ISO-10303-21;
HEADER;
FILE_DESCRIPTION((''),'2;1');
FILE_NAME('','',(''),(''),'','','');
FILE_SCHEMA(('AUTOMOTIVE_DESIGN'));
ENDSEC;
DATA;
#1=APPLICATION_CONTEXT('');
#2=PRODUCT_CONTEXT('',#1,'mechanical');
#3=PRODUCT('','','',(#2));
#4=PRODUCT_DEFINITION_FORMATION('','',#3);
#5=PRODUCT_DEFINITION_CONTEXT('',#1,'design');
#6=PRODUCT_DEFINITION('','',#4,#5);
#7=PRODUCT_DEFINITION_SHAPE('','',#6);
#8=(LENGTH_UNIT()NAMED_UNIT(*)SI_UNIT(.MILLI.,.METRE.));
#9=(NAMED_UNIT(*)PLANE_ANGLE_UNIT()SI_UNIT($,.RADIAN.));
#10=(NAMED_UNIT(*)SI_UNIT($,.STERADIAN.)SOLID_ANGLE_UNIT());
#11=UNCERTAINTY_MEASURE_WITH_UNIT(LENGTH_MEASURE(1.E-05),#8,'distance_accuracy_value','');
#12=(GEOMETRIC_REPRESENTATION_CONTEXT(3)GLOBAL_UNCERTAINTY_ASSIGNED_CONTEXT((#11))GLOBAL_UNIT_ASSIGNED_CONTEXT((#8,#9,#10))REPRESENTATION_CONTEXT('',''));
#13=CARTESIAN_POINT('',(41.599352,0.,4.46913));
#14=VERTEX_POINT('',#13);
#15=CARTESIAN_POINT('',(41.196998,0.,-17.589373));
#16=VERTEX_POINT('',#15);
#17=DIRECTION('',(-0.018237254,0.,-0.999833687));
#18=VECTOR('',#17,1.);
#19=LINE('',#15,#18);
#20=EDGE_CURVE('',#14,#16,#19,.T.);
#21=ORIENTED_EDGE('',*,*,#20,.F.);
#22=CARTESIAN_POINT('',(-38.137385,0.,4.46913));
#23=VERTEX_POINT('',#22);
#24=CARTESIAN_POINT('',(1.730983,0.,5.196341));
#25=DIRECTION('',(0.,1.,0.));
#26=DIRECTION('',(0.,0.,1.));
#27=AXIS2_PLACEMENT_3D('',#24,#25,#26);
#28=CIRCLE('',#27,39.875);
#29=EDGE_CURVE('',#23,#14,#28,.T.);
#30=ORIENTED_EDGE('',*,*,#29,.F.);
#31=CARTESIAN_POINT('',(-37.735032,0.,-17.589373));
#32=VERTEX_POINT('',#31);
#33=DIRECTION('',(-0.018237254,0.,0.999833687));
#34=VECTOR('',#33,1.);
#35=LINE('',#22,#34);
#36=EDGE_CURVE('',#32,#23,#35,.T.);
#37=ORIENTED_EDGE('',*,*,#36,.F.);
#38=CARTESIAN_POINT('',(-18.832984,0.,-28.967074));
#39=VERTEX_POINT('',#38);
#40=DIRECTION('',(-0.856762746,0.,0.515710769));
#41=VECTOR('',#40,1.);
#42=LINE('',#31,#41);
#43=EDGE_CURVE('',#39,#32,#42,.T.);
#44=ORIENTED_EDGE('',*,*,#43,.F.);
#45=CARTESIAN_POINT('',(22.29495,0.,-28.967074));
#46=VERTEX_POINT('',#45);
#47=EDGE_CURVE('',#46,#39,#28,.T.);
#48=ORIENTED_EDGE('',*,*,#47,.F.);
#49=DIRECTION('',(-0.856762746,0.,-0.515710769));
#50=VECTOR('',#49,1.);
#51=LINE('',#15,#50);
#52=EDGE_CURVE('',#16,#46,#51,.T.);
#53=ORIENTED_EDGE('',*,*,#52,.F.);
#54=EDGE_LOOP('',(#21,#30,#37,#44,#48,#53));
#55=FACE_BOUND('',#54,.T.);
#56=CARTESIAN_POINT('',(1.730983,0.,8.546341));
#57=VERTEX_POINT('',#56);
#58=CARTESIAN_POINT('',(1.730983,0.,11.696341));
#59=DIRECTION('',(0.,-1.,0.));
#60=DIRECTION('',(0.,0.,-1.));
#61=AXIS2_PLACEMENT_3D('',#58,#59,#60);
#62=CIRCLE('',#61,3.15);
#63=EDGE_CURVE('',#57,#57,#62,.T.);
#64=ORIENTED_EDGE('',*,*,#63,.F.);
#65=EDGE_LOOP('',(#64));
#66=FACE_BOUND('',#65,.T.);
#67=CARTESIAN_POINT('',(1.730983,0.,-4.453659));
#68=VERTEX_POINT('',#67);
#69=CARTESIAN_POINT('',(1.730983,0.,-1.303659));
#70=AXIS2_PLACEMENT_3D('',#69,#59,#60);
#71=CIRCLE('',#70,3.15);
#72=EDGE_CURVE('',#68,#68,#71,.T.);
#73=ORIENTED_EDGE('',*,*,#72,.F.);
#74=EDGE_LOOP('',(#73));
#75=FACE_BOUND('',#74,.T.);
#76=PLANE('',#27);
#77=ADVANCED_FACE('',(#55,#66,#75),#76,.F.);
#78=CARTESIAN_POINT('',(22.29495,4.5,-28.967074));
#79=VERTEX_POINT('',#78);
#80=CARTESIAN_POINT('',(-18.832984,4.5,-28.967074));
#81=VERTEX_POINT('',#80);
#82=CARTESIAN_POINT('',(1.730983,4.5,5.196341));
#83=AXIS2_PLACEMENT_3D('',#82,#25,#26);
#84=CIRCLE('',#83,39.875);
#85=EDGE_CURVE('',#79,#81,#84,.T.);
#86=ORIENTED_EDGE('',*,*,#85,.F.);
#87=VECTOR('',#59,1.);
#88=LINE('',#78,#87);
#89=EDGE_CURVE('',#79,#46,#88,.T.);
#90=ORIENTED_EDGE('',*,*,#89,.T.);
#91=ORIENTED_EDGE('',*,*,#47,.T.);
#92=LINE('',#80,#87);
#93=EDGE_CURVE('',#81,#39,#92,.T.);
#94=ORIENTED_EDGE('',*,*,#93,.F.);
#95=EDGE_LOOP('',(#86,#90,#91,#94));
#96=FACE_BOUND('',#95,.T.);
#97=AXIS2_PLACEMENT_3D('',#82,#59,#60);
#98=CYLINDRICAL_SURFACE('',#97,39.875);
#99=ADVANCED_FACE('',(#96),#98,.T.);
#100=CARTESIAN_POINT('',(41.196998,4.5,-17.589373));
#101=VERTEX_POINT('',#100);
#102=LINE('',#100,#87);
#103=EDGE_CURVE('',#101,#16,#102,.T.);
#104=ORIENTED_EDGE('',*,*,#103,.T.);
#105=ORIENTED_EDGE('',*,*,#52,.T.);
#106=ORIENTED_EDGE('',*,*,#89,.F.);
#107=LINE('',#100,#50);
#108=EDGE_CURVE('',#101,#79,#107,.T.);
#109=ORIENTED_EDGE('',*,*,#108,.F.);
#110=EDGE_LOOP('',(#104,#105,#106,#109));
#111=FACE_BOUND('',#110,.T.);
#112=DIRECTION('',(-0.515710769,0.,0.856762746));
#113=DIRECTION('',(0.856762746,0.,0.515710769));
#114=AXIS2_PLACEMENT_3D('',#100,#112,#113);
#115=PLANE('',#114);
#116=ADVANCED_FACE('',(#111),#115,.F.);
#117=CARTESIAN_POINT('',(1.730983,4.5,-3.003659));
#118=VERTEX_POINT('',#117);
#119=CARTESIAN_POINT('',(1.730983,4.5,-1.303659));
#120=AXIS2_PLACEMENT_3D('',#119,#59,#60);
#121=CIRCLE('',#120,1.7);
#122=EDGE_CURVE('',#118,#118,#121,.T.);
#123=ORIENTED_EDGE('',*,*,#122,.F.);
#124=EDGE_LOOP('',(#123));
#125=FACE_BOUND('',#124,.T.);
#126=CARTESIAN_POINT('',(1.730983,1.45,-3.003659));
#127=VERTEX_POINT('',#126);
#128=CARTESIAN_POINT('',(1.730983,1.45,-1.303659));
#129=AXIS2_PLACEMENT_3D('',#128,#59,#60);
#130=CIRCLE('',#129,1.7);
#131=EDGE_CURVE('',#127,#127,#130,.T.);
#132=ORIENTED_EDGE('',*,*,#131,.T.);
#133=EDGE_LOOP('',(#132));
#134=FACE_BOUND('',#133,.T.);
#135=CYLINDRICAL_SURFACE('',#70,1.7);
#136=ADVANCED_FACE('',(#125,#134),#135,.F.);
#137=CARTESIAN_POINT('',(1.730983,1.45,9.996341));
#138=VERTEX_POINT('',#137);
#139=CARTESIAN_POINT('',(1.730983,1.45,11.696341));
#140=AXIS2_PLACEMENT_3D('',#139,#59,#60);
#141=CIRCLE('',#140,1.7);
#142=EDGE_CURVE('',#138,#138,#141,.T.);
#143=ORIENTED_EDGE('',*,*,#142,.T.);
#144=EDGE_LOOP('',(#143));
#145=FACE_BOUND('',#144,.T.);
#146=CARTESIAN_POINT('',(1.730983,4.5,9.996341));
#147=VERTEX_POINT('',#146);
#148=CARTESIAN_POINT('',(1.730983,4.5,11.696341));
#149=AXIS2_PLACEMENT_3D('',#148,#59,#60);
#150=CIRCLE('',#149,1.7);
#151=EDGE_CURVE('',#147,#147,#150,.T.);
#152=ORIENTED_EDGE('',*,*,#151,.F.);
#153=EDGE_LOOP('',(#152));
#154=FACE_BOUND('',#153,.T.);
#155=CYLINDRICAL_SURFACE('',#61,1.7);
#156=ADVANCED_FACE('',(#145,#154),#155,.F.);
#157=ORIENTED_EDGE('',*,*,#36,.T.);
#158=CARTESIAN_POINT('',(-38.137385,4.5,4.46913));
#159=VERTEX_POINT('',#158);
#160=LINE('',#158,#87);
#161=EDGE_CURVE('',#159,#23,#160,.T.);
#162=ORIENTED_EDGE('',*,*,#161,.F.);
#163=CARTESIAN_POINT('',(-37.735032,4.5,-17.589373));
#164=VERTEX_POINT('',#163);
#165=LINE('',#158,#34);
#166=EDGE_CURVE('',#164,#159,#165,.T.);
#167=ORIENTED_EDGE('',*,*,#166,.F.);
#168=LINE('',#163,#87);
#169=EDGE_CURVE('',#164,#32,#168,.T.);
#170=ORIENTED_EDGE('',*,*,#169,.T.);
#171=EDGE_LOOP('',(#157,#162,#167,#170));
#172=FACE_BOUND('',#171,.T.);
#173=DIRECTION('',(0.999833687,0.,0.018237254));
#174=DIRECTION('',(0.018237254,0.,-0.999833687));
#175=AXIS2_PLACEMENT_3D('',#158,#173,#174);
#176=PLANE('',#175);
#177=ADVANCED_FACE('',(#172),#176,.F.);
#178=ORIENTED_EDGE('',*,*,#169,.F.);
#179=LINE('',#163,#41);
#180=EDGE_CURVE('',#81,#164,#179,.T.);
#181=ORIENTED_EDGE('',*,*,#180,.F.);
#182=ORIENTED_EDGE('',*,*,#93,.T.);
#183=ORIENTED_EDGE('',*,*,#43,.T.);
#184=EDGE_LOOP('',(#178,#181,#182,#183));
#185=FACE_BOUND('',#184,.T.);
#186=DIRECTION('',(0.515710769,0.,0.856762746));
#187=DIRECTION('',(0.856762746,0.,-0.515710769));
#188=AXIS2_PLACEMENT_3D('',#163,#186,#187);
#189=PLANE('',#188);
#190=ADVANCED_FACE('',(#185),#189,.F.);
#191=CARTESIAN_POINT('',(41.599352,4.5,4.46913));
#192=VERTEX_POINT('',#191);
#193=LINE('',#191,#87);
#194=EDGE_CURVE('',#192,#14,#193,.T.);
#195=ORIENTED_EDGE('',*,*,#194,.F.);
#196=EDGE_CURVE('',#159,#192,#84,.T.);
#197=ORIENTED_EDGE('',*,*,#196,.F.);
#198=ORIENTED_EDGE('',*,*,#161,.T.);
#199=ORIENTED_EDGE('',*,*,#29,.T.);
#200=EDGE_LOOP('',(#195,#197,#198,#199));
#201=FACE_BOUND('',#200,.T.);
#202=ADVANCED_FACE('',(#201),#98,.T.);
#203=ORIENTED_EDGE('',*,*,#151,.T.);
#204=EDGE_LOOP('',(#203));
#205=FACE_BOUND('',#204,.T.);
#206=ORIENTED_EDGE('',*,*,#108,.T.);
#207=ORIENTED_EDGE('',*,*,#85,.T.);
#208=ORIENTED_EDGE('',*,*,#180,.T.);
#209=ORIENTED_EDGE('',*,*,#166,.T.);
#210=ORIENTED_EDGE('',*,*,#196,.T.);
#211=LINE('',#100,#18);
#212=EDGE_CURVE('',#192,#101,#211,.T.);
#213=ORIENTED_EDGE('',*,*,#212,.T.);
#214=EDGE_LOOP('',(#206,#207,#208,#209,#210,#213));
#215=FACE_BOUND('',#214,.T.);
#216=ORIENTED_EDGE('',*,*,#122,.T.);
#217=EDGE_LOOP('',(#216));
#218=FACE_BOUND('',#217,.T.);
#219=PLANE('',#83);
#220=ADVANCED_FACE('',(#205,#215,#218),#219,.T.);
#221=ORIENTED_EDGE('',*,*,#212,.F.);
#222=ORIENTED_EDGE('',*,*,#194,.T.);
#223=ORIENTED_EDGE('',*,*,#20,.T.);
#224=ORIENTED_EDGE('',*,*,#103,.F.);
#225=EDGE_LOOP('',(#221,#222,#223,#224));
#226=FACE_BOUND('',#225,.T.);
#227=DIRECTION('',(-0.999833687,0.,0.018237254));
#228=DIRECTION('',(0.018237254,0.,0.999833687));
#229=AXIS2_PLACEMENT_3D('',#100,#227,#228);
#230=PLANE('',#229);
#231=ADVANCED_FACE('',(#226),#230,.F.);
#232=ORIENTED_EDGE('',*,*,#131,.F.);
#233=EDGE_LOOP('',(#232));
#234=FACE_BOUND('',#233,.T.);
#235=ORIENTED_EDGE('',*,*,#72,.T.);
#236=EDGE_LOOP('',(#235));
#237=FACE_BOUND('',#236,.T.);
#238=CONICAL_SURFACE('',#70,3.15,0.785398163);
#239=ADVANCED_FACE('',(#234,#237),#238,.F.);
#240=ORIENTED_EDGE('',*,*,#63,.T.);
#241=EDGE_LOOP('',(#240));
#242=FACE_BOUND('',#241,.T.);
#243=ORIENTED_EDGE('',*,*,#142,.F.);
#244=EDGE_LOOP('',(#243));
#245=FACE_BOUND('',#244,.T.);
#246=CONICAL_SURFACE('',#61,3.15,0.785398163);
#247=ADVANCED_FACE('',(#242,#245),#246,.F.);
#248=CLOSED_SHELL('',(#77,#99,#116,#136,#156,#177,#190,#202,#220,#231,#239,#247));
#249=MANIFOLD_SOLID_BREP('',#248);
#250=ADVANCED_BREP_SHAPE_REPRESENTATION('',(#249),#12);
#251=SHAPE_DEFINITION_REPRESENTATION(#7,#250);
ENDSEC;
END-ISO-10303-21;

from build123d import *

# Parameters (mm, degrees)
BOSS_EXTRUDE4_DEPTH                             = 4.5
CSK_FOR_M3_FLAT_HEAD_MACHINE_SCREW1_D           = 3.4
CSK_FOR_M3_FLAT_HEAD_MACHINE_SCREW1_CSINK_D     = 6.3
CSK_FOR_M3_FLAT_HEAD_MACHINE_SCREW1_CSINK_ANGLE = 90


with BuildPart() as part:
    # Sketch6 → Boss-Extrude4 (new body)
    with BuildSketch(Plane(origin=(0, 0, 0), x_dir=(1, 0, 0), z_dir=(0, 1, 0))):
        with BuildLine():
            Line((-37.735031535, 17.5893733), (-18.832983626, 28.967073503))
            ThreePointArc((-18.832983626, 28.967073503), (1.730983294, 34.678659015), (22.294950215, 28.967073503))
            Line((22.294950215, 28.967073503), (41.196998124, 17.5893733))
            Line((41.196998124, 17.5893733), (41.599351581, -4.469130473))
            ThreePointArc((41.599351581, -4.469130473), (1.730983294, -45.071340985), (-38.137384993, -4.469130473))
            Line((-38.137384993, -4.469130473), (-37.735031535, 17.5893733))
        make_face()
    extrude(amount=BOSS_EXTRUDE4_DEPTH)

    # CSK for M3 Flat Head Machine Screw1 (through all)
    with Locations(Plane(origin=(0, 0, 5.6), x_dir=(1, 0, 0), z_dir=(0, -1, 0))):
        with Locations((1.730983294, -6.903659015), (1.730983294, 6.096340985)):
            CounterSinkHole(CSK_FOR_M3_FLAT_HEAD_MACHINE_SCREW1_D / 2, CSK_FOR_M3_FLAT_HEAD_MACHINE_SCREW1_CSINK_D / 2, counter_sink_angle=CSK_FOR_M3_FLAT_HEAD_MACHINE_SCREW1_CSINK_ANGLE)


solid = part.part
